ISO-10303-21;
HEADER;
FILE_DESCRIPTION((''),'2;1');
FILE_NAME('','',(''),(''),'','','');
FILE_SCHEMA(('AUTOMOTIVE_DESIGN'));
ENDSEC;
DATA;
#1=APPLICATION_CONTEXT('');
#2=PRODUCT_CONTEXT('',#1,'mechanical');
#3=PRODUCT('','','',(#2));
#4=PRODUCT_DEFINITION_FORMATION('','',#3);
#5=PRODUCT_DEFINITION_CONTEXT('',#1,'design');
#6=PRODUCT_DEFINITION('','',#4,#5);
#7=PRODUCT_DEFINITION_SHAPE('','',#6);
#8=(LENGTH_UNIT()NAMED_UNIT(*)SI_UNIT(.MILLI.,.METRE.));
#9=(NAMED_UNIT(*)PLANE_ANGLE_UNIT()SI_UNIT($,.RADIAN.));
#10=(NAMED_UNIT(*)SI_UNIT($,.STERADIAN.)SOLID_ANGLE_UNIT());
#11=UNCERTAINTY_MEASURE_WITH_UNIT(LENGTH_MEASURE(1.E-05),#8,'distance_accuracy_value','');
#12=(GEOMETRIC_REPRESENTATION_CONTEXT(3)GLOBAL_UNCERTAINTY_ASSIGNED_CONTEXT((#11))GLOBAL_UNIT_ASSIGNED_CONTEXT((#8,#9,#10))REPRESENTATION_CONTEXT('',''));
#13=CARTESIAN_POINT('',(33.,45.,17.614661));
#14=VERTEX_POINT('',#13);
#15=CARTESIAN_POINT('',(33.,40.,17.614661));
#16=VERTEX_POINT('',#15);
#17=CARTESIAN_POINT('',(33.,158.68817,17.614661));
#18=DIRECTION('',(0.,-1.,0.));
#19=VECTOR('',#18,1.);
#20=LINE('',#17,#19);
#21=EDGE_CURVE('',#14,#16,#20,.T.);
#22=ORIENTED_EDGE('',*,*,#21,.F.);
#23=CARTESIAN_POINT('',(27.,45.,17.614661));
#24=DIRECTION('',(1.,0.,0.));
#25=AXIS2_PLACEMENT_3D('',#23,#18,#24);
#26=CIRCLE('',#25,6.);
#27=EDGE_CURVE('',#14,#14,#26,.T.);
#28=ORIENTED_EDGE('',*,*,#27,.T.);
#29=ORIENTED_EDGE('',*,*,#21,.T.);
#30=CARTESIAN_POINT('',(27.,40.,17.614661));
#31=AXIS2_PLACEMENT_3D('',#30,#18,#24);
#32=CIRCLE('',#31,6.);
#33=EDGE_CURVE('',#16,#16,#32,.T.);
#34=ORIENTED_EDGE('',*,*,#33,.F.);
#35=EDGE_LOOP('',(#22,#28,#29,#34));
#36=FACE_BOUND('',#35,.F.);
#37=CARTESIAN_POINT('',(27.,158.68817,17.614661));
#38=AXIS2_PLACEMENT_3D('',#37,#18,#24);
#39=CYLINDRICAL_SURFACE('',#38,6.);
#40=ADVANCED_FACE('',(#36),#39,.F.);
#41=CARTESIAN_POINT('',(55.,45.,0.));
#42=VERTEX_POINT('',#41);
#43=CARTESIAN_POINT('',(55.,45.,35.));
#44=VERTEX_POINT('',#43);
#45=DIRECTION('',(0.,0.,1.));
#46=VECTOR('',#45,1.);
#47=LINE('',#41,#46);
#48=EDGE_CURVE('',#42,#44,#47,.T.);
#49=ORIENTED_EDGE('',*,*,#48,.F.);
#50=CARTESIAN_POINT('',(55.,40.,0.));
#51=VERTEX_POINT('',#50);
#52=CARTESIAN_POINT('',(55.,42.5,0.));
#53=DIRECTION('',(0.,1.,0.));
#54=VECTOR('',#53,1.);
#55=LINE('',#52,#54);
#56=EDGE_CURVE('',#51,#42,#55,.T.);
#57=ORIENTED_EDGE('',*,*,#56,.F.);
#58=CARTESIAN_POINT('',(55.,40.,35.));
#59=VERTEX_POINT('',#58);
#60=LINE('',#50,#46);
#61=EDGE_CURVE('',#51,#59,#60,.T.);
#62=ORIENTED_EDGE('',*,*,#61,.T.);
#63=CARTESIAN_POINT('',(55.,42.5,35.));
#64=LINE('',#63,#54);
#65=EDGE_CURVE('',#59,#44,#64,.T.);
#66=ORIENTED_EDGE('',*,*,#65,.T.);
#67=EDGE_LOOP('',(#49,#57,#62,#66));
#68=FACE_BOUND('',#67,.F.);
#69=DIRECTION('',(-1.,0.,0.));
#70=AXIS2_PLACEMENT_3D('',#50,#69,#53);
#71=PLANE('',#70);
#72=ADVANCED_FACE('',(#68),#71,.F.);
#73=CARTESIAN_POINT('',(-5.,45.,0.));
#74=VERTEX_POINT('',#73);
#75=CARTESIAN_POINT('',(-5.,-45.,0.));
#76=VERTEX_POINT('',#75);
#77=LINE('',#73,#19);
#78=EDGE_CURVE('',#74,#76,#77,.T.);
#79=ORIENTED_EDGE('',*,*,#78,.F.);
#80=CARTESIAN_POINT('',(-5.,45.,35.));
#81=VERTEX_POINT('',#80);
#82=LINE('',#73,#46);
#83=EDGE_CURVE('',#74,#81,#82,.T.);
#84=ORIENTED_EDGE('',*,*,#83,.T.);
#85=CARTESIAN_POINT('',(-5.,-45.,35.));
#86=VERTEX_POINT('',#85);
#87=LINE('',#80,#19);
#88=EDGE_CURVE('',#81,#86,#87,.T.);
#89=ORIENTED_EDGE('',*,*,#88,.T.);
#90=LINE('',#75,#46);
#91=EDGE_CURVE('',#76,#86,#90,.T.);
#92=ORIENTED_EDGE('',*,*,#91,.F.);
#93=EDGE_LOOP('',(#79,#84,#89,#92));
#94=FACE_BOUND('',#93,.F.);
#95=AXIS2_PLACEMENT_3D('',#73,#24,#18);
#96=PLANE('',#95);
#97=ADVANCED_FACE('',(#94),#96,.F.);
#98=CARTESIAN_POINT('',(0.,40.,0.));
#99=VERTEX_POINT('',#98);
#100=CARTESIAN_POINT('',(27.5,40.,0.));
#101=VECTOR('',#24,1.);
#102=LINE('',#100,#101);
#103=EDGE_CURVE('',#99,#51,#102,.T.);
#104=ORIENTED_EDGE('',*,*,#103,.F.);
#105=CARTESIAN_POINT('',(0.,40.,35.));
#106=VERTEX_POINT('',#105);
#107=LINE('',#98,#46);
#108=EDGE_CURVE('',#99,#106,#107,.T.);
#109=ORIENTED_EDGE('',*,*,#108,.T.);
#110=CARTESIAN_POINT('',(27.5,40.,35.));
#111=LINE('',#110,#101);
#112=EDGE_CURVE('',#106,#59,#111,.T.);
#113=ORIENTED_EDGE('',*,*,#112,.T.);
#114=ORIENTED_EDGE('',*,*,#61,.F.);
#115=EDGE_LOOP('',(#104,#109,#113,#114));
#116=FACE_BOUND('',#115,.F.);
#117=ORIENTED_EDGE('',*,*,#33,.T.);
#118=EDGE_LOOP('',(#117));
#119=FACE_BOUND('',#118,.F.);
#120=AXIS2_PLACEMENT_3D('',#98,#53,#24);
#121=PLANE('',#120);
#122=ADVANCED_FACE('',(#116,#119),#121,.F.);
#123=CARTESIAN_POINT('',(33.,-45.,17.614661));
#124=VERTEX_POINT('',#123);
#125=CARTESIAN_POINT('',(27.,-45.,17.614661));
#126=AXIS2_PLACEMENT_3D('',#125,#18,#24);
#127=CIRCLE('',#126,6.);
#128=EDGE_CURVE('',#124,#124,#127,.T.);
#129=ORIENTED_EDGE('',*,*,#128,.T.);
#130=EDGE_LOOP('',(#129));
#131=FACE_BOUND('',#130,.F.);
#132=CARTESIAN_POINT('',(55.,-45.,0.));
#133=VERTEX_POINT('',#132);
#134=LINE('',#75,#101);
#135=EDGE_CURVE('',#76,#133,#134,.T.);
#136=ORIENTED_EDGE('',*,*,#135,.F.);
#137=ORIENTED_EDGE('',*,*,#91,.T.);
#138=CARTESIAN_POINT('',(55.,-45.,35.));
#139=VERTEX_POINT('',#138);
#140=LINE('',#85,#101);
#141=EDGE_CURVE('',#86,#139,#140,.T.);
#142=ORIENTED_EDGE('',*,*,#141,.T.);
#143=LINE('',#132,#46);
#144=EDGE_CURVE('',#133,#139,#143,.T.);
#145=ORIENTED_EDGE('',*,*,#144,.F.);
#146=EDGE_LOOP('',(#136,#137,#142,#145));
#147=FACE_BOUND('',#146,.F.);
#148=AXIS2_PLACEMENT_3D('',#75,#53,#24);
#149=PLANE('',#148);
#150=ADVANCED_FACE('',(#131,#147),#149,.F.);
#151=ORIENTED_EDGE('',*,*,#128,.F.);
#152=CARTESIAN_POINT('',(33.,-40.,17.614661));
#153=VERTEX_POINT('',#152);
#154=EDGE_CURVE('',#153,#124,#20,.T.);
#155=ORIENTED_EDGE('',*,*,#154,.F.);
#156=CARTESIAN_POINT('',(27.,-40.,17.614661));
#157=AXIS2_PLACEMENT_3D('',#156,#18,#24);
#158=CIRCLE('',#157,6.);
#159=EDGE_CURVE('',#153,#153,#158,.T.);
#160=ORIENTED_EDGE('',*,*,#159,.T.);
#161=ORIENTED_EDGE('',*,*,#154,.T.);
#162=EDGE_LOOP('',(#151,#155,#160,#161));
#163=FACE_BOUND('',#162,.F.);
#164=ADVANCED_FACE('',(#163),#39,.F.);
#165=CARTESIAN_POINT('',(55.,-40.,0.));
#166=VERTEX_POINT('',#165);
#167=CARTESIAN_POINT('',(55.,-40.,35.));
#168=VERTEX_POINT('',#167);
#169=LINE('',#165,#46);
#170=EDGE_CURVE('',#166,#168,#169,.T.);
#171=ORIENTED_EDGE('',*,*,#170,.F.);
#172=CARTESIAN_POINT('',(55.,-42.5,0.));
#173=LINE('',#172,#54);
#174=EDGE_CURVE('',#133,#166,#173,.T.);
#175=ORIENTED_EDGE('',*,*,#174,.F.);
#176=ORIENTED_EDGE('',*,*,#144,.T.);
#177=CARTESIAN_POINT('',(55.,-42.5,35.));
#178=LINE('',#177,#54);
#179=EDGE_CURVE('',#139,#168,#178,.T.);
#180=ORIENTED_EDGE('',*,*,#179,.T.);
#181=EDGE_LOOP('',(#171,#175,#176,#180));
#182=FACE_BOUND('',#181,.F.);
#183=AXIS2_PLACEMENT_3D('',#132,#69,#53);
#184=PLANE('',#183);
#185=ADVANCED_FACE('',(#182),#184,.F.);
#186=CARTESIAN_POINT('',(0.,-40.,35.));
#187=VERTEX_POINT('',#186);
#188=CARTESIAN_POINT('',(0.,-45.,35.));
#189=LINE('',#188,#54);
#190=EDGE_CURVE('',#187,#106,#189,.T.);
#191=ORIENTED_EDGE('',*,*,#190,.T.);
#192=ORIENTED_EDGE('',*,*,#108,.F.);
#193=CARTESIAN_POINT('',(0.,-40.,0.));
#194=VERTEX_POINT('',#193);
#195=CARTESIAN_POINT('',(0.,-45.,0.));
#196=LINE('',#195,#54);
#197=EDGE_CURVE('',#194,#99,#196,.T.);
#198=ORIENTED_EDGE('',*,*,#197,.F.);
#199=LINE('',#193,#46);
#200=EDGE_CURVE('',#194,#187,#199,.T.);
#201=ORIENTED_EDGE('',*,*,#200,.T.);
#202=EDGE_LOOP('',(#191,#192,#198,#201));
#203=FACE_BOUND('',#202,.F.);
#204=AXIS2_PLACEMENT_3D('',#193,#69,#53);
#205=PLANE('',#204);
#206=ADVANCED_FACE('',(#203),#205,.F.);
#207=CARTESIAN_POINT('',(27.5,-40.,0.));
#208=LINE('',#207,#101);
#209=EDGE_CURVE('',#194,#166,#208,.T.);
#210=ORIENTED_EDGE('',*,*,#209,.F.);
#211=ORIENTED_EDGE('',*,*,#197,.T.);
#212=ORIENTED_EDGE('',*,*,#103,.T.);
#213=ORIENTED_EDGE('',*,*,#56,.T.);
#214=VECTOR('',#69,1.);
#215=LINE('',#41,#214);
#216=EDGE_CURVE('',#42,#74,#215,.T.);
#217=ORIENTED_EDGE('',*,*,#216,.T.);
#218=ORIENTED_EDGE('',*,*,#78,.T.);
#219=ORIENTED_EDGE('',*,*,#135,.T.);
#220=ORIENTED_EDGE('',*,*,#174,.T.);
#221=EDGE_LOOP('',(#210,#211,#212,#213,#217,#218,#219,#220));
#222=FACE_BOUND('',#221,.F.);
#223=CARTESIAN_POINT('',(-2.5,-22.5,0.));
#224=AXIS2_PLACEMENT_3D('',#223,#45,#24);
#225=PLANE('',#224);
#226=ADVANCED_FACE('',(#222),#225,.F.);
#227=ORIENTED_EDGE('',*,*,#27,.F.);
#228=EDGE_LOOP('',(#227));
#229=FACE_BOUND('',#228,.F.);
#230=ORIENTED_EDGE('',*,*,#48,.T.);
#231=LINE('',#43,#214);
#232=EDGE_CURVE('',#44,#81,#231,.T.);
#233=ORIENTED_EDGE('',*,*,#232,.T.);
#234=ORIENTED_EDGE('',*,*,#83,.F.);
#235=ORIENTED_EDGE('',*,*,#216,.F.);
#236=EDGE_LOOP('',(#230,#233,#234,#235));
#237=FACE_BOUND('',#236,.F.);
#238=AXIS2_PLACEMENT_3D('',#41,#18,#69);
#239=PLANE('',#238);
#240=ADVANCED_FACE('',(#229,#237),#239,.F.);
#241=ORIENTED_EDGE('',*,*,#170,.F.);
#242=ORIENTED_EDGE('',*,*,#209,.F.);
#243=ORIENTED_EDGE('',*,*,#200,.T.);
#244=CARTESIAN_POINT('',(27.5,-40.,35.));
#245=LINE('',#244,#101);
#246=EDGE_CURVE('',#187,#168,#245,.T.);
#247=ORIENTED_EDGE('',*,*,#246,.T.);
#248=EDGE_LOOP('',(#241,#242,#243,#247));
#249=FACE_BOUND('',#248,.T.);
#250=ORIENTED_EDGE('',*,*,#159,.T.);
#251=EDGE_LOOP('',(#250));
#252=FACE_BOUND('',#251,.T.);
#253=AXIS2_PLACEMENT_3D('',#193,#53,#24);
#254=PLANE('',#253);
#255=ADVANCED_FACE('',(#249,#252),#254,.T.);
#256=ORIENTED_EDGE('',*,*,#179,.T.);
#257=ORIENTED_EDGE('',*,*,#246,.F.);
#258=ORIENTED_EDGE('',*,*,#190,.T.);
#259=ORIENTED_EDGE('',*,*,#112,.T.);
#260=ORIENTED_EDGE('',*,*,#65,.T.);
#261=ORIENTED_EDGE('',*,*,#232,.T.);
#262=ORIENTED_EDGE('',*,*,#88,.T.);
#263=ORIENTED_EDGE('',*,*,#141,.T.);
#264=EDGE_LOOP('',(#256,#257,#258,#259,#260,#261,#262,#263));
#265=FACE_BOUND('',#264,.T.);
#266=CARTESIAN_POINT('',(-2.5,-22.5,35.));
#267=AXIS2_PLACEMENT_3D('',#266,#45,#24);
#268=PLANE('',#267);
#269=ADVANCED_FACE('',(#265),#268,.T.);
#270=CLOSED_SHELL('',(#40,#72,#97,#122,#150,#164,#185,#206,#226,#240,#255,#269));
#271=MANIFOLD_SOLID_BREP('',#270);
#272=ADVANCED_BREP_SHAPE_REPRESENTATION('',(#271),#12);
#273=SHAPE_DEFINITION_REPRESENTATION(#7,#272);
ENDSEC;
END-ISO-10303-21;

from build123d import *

# Parameters (mm, degrees)
F0_W     = 55
F0_H     = 5
F1_DEPTH = 35
F3_D     = 12


with BuildPart() as f1:
    # F0 (on Top) → F1 (new body)
    with BuildSketch(Plane.XY):
        Polygon((0, -40), (0, 0), (-5, 0), (-5, -45), (0, -45), align=None)
        Polygon((-5, 0), (0, 0), (0, 40), (0, 45), (-5, 45), align=None)
        with Locations((27.5, 42.5)):
            Rectangle(F0_W, F0_H)
        with Locations((27.5, -42.5)):
            Rectangle(F0_W, F0_H)
    extrude(amount=F1_DEPTH)

    # F3 (through all)
    with Locations(Plane(origin=(0, 45, 0), x_dir=(-1, 0, 0), z_dir=(0, 1, 0))):
        with Locations((-27, 17.614661)):
            Hole(F3_D / 2)


solid = f1.part
